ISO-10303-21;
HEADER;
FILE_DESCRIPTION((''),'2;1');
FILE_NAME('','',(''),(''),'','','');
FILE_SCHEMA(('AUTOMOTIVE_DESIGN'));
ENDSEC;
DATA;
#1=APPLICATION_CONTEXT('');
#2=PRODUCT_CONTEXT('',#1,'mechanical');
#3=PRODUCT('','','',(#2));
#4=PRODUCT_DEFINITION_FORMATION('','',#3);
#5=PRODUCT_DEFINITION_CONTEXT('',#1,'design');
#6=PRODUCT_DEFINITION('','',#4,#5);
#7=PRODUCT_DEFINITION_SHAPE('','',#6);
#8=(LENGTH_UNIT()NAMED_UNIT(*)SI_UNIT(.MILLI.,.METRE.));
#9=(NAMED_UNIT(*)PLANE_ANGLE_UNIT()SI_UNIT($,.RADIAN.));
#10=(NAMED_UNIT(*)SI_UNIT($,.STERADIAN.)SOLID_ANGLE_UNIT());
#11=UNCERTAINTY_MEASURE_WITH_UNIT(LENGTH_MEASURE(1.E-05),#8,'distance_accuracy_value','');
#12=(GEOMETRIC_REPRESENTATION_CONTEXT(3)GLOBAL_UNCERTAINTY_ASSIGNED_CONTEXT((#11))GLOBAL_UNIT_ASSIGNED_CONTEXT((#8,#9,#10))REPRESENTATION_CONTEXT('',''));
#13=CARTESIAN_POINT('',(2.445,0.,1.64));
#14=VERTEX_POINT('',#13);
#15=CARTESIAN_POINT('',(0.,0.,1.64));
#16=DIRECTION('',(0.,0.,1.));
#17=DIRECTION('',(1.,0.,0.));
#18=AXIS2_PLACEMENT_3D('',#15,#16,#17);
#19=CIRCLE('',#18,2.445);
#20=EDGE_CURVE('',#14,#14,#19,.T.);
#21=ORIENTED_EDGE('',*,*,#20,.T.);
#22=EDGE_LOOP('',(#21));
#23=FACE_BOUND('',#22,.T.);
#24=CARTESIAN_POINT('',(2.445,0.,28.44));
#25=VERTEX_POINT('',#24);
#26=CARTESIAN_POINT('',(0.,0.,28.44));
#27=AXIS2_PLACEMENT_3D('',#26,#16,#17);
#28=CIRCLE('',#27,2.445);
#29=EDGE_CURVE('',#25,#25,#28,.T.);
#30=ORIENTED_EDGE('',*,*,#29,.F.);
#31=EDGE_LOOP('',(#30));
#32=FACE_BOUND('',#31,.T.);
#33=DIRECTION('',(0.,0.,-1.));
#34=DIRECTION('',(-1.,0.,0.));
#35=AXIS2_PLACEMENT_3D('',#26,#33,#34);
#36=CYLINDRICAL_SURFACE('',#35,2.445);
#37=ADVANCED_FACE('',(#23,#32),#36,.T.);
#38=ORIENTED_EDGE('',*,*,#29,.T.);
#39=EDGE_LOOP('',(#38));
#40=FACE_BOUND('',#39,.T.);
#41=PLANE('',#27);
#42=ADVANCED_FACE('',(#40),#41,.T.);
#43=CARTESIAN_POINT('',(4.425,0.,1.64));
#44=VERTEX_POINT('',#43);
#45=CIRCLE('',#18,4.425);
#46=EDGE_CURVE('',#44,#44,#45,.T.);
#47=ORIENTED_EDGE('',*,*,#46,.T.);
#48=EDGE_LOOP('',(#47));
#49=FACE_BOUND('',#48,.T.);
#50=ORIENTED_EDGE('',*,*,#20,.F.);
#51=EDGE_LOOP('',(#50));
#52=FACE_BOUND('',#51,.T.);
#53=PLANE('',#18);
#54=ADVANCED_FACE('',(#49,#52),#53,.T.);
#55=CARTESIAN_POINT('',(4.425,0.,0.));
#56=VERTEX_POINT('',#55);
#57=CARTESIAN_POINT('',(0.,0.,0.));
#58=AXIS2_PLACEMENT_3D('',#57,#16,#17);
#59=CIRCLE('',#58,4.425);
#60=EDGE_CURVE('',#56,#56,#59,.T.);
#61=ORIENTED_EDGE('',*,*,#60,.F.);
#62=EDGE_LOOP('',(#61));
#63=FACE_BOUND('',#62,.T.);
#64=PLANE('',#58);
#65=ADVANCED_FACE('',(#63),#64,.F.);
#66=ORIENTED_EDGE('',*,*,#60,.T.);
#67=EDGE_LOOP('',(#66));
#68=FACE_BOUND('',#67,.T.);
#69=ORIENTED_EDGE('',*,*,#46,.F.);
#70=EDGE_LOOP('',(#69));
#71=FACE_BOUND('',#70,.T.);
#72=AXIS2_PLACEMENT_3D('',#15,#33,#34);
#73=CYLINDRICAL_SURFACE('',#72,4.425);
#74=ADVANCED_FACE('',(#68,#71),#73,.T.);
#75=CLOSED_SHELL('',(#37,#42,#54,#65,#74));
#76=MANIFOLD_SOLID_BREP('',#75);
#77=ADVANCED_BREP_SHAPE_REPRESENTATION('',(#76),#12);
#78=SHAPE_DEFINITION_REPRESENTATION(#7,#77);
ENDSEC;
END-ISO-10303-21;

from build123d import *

# Parameters (mm, degrees)
SKETCH1_R           = 4.425
BOSS_EXTRUDE1_DEPTH = 1.64
SKETCH2_R           = 2.445
BOSS_EXTRUDE2_DEPTH = 26.8


with BuildPart() as part:
    # Sketch1 → Boss-Extrude1 (new body)
    with BuildSketch(Plane.XY):
        Circle(SKETCH1_R)
    extrude(amount=BOSS_EXTRUDE1_DEPTH)

    # Sketch2 → Boss-Extrude2 (add)
    with BuildSketch(Plane.XY.offset(1.64)):
        Circle(SKETCH2_R)
    extrude(amount=BOSS_EXTRUDE2_DEPTH)


solid = part.part
